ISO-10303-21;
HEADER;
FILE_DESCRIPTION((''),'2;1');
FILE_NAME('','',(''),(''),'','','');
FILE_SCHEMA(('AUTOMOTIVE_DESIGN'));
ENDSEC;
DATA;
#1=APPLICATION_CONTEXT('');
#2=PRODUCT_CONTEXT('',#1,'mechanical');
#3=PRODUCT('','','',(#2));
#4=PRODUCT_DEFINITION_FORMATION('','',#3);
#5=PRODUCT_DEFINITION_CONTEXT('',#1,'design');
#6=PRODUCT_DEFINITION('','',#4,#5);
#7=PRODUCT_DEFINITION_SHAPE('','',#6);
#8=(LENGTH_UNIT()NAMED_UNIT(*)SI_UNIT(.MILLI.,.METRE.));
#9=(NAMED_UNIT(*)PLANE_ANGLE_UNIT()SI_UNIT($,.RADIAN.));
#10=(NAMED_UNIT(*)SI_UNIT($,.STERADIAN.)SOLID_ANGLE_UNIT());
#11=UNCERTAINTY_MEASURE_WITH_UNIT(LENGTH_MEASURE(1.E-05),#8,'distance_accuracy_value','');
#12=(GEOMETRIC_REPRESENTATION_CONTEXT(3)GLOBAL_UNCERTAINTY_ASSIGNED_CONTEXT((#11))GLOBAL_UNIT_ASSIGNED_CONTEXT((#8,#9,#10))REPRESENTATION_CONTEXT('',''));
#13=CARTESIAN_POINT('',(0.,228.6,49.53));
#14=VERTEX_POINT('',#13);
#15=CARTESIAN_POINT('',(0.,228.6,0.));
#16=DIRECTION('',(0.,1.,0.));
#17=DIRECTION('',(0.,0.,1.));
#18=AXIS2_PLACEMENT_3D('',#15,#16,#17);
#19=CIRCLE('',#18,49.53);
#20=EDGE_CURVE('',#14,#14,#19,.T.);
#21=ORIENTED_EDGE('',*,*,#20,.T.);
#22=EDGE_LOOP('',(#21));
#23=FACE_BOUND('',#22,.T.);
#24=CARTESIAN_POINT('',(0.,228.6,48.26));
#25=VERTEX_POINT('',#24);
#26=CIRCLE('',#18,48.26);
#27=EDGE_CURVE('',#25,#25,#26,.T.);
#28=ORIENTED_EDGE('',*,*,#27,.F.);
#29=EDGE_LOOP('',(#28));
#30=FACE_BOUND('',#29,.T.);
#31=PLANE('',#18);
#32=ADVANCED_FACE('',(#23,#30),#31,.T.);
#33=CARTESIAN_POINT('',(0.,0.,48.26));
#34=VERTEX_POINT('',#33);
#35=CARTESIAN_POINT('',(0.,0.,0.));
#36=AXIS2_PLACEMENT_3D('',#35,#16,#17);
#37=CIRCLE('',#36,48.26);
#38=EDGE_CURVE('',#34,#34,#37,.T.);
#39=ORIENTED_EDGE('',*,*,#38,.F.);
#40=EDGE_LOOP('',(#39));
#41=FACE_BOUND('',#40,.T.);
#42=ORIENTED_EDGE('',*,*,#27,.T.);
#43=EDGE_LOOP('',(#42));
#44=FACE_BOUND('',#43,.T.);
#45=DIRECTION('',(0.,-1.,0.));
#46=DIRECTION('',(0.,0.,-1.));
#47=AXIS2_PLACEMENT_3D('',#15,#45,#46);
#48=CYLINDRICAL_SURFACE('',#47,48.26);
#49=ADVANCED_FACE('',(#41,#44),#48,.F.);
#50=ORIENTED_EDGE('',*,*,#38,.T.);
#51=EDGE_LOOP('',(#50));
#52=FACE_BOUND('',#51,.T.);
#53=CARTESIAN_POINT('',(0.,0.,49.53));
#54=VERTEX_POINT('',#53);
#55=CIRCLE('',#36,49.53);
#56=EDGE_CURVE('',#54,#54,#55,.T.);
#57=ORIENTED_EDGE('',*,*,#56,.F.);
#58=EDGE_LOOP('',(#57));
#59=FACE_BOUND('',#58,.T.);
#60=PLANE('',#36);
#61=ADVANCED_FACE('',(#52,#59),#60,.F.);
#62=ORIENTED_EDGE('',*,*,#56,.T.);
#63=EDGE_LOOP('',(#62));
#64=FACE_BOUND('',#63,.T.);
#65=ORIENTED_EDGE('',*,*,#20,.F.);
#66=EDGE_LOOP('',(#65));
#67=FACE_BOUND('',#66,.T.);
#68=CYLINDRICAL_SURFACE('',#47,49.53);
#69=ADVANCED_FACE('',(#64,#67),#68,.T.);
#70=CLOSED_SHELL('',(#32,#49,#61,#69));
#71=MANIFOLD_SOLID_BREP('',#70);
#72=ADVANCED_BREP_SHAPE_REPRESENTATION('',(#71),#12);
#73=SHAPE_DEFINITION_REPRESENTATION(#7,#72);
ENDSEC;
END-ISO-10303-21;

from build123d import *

# Parameters (mm, degrees)
SKETCH1_R           = 49.53
SKETCH1_R_2         = 48.26
BOSS_EXTRUDE1_DEPTH = 228.6


with BuildPart() as part:
    # Sketch1 → Boss-Extrude1 (new body)
    with BuildSketch(Plane(origin=(0, 0, 0), x_dir=(1, 0, 0), z_dir=(0, 1, 0))):
        with Locations(Location((0, 0, 0), (0, 0, 270))):
            Circle(SKETCH1_R)
        with Locations(Location((0, 0, 0), (0, 0, 270))):
            Circle(SKETCH1_R_2, mode=Mode.SUBTRACT)
    extrude(amount=BOSS_EXTRUDE1_DEPTH)


solid = part.part
